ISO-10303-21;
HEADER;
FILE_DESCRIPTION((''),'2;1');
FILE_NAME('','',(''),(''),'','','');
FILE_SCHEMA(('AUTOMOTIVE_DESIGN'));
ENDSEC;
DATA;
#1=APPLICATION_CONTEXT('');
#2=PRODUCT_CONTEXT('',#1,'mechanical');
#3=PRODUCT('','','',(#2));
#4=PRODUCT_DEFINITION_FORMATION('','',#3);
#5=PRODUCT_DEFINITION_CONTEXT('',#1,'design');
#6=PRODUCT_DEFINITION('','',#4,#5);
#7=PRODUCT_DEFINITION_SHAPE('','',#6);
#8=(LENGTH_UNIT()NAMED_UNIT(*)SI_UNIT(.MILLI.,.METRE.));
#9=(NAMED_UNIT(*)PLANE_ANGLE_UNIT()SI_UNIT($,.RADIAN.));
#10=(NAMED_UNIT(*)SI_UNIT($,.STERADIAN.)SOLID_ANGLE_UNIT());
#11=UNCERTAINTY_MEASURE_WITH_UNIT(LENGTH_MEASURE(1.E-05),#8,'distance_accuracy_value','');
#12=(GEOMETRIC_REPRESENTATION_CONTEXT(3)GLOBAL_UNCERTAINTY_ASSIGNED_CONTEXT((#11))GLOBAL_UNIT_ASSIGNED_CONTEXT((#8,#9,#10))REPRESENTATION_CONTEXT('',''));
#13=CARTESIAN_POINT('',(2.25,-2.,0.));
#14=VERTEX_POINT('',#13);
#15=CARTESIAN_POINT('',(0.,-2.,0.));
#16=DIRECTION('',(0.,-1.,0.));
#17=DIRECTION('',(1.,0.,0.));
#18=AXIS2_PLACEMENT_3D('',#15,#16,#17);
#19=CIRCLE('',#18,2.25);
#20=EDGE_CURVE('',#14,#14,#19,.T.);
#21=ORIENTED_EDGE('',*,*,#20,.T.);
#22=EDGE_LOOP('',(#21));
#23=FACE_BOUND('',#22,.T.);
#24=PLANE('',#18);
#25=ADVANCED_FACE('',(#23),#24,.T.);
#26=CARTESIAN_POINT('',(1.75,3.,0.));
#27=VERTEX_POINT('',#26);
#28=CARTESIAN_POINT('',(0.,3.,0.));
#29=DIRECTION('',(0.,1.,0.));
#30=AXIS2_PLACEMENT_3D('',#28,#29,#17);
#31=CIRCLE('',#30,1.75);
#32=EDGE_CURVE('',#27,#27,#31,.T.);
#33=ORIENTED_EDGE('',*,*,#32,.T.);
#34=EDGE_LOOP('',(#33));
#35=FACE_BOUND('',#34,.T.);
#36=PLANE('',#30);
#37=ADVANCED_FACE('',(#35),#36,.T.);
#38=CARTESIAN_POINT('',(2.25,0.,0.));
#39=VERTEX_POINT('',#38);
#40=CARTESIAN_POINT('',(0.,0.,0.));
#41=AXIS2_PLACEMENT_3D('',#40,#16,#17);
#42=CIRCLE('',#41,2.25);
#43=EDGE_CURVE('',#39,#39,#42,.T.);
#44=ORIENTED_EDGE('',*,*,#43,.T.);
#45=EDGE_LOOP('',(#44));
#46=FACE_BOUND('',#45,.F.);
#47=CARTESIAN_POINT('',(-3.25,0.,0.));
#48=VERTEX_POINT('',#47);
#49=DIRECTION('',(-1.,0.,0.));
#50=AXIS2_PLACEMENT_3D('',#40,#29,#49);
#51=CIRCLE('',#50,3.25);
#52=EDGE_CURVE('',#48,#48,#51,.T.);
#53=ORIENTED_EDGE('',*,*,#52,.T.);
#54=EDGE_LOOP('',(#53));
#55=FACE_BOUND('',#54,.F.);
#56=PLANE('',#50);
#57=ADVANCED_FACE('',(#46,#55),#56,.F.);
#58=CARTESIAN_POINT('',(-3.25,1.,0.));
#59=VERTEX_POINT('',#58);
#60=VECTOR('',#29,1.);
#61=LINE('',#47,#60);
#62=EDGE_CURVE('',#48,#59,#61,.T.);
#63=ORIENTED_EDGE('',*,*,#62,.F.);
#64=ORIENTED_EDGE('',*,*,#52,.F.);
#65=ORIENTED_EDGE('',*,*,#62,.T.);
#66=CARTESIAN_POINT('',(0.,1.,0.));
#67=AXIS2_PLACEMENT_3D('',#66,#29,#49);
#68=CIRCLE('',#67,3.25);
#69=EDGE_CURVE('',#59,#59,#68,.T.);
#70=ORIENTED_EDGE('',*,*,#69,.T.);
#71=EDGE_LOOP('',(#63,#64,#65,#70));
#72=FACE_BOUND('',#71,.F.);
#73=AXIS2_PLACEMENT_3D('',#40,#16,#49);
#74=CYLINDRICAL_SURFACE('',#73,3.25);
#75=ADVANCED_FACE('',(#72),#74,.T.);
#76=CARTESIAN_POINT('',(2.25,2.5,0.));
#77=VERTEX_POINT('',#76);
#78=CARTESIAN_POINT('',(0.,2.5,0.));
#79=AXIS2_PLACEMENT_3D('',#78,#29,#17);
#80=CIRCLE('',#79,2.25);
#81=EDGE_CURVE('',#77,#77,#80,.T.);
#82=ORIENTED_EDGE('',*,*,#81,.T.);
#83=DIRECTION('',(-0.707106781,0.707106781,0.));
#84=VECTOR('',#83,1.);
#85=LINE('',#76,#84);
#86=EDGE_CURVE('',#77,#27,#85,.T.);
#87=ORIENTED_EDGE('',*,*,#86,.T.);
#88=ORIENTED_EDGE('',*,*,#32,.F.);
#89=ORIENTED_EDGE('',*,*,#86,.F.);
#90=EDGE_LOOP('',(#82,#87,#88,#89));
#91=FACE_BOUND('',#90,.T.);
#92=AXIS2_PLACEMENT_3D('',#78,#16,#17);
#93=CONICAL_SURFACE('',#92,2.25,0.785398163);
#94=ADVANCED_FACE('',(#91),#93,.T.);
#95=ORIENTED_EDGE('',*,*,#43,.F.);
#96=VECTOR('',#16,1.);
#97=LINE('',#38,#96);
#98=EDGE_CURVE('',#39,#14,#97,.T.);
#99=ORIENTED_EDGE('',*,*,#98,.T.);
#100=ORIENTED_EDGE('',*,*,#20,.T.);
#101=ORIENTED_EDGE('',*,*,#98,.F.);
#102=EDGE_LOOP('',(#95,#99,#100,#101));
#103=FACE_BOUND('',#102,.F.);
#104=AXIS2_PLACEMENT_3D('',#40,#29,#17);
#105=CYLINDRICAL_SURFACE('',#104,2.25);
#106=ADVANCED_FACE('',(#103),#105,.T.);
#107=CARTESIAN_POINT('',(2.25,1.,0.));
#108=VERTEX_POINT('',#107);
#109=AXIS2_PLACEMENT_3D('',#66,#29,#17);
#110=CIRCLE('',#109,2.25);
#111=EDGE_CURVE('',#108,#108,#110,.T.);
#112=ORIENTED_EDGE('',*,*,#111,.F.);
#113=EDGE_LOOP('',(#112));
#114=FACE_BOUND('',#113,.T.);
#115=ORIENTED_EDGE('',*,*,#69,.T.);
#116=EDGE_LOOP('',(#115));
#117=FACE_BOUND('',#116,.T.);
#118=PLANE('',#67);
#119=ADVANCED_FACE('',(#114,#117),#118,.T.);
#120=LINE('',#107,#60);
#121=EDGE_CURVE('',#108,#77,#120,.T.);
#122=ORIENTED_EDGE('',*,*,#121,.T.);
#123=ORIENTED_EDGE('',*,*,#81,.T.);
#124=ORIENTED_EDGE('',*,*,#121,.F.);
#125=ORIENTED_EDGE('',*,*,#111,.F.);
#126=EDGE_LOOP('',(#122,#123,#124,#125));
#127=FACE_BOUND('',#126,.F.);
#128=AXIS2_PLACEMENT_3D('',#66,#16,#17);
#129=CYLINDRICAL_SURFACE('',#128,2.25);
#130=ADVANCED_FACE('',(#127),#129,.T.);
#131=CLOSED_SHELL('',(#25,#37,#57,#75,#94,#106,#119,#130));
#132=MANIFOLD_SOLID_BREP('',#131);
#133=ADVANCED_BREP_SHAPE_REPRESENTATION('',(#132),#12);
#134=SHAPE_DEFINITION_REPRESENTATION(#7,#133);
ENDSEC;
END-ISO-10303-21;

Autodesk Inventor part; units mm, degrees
ref_plane "YZ Plane" through (0, 0, 0) normal (1, 0, 0) x (0, 1, 0)
ref_plane "XZ Plane" through (0, 0, 0) normal (0, 1, 0) x (-1, 0, 0)
sketch "Sketch1" plane through (0, 0, 0) normal (0, 1, 0) x (-1, 0, 0)
  circle A0 centre (0, 0) radius 3.25
  dimension "d0" = 6.5
extrude "Extrusion1" add sketch "Sketch1" along normal blind 1
sketch "Sketch2" plane through (0, 1, 0) normal (0, 1, 0) x (1, 0, 0)
  circle A0 centre (0, 0) radius 2.25
  dimension "d3" = 4.5
extrude "Extrusion2" add sketch "Sketch2" along normal blind 2
sketch "Sketch3" plane through (0, 0, 0) normal (0, -1, 0) x (1, 0, 0)
  circle A0 centre (0, 0) radius 2.25
extrude "Extrusion3" add sketch "Sketch3" along normal blind 2
sketch "Sketch4" plane through (0, 0, 0) normal (0, 0, 1) x (1, 0, 0)
  point P0 (0, 0)
chamfer "Chamfer1" distance 0.5 angle 45 1 edges at (-2.25, 3, 0)
equation "\"BendRadius\" = Thickness"
equation "\"BendReliefWidth\" = Thickness"
equation "\"BendReliefDepth\" = 0.5 * Thickness"
equation "\"CornerReliefSize\" = 4 * Thickness"
equation "\"MinimumRemnant\" = 2 * Thickness"
equation "\"TransitionRadius\" = BendRadius"
equation "\"JacobiRadiusSize\" = BendRadius"
equation "\"GapSize\" = Thickness"
equation "\"Thickness\" = 0.5"
